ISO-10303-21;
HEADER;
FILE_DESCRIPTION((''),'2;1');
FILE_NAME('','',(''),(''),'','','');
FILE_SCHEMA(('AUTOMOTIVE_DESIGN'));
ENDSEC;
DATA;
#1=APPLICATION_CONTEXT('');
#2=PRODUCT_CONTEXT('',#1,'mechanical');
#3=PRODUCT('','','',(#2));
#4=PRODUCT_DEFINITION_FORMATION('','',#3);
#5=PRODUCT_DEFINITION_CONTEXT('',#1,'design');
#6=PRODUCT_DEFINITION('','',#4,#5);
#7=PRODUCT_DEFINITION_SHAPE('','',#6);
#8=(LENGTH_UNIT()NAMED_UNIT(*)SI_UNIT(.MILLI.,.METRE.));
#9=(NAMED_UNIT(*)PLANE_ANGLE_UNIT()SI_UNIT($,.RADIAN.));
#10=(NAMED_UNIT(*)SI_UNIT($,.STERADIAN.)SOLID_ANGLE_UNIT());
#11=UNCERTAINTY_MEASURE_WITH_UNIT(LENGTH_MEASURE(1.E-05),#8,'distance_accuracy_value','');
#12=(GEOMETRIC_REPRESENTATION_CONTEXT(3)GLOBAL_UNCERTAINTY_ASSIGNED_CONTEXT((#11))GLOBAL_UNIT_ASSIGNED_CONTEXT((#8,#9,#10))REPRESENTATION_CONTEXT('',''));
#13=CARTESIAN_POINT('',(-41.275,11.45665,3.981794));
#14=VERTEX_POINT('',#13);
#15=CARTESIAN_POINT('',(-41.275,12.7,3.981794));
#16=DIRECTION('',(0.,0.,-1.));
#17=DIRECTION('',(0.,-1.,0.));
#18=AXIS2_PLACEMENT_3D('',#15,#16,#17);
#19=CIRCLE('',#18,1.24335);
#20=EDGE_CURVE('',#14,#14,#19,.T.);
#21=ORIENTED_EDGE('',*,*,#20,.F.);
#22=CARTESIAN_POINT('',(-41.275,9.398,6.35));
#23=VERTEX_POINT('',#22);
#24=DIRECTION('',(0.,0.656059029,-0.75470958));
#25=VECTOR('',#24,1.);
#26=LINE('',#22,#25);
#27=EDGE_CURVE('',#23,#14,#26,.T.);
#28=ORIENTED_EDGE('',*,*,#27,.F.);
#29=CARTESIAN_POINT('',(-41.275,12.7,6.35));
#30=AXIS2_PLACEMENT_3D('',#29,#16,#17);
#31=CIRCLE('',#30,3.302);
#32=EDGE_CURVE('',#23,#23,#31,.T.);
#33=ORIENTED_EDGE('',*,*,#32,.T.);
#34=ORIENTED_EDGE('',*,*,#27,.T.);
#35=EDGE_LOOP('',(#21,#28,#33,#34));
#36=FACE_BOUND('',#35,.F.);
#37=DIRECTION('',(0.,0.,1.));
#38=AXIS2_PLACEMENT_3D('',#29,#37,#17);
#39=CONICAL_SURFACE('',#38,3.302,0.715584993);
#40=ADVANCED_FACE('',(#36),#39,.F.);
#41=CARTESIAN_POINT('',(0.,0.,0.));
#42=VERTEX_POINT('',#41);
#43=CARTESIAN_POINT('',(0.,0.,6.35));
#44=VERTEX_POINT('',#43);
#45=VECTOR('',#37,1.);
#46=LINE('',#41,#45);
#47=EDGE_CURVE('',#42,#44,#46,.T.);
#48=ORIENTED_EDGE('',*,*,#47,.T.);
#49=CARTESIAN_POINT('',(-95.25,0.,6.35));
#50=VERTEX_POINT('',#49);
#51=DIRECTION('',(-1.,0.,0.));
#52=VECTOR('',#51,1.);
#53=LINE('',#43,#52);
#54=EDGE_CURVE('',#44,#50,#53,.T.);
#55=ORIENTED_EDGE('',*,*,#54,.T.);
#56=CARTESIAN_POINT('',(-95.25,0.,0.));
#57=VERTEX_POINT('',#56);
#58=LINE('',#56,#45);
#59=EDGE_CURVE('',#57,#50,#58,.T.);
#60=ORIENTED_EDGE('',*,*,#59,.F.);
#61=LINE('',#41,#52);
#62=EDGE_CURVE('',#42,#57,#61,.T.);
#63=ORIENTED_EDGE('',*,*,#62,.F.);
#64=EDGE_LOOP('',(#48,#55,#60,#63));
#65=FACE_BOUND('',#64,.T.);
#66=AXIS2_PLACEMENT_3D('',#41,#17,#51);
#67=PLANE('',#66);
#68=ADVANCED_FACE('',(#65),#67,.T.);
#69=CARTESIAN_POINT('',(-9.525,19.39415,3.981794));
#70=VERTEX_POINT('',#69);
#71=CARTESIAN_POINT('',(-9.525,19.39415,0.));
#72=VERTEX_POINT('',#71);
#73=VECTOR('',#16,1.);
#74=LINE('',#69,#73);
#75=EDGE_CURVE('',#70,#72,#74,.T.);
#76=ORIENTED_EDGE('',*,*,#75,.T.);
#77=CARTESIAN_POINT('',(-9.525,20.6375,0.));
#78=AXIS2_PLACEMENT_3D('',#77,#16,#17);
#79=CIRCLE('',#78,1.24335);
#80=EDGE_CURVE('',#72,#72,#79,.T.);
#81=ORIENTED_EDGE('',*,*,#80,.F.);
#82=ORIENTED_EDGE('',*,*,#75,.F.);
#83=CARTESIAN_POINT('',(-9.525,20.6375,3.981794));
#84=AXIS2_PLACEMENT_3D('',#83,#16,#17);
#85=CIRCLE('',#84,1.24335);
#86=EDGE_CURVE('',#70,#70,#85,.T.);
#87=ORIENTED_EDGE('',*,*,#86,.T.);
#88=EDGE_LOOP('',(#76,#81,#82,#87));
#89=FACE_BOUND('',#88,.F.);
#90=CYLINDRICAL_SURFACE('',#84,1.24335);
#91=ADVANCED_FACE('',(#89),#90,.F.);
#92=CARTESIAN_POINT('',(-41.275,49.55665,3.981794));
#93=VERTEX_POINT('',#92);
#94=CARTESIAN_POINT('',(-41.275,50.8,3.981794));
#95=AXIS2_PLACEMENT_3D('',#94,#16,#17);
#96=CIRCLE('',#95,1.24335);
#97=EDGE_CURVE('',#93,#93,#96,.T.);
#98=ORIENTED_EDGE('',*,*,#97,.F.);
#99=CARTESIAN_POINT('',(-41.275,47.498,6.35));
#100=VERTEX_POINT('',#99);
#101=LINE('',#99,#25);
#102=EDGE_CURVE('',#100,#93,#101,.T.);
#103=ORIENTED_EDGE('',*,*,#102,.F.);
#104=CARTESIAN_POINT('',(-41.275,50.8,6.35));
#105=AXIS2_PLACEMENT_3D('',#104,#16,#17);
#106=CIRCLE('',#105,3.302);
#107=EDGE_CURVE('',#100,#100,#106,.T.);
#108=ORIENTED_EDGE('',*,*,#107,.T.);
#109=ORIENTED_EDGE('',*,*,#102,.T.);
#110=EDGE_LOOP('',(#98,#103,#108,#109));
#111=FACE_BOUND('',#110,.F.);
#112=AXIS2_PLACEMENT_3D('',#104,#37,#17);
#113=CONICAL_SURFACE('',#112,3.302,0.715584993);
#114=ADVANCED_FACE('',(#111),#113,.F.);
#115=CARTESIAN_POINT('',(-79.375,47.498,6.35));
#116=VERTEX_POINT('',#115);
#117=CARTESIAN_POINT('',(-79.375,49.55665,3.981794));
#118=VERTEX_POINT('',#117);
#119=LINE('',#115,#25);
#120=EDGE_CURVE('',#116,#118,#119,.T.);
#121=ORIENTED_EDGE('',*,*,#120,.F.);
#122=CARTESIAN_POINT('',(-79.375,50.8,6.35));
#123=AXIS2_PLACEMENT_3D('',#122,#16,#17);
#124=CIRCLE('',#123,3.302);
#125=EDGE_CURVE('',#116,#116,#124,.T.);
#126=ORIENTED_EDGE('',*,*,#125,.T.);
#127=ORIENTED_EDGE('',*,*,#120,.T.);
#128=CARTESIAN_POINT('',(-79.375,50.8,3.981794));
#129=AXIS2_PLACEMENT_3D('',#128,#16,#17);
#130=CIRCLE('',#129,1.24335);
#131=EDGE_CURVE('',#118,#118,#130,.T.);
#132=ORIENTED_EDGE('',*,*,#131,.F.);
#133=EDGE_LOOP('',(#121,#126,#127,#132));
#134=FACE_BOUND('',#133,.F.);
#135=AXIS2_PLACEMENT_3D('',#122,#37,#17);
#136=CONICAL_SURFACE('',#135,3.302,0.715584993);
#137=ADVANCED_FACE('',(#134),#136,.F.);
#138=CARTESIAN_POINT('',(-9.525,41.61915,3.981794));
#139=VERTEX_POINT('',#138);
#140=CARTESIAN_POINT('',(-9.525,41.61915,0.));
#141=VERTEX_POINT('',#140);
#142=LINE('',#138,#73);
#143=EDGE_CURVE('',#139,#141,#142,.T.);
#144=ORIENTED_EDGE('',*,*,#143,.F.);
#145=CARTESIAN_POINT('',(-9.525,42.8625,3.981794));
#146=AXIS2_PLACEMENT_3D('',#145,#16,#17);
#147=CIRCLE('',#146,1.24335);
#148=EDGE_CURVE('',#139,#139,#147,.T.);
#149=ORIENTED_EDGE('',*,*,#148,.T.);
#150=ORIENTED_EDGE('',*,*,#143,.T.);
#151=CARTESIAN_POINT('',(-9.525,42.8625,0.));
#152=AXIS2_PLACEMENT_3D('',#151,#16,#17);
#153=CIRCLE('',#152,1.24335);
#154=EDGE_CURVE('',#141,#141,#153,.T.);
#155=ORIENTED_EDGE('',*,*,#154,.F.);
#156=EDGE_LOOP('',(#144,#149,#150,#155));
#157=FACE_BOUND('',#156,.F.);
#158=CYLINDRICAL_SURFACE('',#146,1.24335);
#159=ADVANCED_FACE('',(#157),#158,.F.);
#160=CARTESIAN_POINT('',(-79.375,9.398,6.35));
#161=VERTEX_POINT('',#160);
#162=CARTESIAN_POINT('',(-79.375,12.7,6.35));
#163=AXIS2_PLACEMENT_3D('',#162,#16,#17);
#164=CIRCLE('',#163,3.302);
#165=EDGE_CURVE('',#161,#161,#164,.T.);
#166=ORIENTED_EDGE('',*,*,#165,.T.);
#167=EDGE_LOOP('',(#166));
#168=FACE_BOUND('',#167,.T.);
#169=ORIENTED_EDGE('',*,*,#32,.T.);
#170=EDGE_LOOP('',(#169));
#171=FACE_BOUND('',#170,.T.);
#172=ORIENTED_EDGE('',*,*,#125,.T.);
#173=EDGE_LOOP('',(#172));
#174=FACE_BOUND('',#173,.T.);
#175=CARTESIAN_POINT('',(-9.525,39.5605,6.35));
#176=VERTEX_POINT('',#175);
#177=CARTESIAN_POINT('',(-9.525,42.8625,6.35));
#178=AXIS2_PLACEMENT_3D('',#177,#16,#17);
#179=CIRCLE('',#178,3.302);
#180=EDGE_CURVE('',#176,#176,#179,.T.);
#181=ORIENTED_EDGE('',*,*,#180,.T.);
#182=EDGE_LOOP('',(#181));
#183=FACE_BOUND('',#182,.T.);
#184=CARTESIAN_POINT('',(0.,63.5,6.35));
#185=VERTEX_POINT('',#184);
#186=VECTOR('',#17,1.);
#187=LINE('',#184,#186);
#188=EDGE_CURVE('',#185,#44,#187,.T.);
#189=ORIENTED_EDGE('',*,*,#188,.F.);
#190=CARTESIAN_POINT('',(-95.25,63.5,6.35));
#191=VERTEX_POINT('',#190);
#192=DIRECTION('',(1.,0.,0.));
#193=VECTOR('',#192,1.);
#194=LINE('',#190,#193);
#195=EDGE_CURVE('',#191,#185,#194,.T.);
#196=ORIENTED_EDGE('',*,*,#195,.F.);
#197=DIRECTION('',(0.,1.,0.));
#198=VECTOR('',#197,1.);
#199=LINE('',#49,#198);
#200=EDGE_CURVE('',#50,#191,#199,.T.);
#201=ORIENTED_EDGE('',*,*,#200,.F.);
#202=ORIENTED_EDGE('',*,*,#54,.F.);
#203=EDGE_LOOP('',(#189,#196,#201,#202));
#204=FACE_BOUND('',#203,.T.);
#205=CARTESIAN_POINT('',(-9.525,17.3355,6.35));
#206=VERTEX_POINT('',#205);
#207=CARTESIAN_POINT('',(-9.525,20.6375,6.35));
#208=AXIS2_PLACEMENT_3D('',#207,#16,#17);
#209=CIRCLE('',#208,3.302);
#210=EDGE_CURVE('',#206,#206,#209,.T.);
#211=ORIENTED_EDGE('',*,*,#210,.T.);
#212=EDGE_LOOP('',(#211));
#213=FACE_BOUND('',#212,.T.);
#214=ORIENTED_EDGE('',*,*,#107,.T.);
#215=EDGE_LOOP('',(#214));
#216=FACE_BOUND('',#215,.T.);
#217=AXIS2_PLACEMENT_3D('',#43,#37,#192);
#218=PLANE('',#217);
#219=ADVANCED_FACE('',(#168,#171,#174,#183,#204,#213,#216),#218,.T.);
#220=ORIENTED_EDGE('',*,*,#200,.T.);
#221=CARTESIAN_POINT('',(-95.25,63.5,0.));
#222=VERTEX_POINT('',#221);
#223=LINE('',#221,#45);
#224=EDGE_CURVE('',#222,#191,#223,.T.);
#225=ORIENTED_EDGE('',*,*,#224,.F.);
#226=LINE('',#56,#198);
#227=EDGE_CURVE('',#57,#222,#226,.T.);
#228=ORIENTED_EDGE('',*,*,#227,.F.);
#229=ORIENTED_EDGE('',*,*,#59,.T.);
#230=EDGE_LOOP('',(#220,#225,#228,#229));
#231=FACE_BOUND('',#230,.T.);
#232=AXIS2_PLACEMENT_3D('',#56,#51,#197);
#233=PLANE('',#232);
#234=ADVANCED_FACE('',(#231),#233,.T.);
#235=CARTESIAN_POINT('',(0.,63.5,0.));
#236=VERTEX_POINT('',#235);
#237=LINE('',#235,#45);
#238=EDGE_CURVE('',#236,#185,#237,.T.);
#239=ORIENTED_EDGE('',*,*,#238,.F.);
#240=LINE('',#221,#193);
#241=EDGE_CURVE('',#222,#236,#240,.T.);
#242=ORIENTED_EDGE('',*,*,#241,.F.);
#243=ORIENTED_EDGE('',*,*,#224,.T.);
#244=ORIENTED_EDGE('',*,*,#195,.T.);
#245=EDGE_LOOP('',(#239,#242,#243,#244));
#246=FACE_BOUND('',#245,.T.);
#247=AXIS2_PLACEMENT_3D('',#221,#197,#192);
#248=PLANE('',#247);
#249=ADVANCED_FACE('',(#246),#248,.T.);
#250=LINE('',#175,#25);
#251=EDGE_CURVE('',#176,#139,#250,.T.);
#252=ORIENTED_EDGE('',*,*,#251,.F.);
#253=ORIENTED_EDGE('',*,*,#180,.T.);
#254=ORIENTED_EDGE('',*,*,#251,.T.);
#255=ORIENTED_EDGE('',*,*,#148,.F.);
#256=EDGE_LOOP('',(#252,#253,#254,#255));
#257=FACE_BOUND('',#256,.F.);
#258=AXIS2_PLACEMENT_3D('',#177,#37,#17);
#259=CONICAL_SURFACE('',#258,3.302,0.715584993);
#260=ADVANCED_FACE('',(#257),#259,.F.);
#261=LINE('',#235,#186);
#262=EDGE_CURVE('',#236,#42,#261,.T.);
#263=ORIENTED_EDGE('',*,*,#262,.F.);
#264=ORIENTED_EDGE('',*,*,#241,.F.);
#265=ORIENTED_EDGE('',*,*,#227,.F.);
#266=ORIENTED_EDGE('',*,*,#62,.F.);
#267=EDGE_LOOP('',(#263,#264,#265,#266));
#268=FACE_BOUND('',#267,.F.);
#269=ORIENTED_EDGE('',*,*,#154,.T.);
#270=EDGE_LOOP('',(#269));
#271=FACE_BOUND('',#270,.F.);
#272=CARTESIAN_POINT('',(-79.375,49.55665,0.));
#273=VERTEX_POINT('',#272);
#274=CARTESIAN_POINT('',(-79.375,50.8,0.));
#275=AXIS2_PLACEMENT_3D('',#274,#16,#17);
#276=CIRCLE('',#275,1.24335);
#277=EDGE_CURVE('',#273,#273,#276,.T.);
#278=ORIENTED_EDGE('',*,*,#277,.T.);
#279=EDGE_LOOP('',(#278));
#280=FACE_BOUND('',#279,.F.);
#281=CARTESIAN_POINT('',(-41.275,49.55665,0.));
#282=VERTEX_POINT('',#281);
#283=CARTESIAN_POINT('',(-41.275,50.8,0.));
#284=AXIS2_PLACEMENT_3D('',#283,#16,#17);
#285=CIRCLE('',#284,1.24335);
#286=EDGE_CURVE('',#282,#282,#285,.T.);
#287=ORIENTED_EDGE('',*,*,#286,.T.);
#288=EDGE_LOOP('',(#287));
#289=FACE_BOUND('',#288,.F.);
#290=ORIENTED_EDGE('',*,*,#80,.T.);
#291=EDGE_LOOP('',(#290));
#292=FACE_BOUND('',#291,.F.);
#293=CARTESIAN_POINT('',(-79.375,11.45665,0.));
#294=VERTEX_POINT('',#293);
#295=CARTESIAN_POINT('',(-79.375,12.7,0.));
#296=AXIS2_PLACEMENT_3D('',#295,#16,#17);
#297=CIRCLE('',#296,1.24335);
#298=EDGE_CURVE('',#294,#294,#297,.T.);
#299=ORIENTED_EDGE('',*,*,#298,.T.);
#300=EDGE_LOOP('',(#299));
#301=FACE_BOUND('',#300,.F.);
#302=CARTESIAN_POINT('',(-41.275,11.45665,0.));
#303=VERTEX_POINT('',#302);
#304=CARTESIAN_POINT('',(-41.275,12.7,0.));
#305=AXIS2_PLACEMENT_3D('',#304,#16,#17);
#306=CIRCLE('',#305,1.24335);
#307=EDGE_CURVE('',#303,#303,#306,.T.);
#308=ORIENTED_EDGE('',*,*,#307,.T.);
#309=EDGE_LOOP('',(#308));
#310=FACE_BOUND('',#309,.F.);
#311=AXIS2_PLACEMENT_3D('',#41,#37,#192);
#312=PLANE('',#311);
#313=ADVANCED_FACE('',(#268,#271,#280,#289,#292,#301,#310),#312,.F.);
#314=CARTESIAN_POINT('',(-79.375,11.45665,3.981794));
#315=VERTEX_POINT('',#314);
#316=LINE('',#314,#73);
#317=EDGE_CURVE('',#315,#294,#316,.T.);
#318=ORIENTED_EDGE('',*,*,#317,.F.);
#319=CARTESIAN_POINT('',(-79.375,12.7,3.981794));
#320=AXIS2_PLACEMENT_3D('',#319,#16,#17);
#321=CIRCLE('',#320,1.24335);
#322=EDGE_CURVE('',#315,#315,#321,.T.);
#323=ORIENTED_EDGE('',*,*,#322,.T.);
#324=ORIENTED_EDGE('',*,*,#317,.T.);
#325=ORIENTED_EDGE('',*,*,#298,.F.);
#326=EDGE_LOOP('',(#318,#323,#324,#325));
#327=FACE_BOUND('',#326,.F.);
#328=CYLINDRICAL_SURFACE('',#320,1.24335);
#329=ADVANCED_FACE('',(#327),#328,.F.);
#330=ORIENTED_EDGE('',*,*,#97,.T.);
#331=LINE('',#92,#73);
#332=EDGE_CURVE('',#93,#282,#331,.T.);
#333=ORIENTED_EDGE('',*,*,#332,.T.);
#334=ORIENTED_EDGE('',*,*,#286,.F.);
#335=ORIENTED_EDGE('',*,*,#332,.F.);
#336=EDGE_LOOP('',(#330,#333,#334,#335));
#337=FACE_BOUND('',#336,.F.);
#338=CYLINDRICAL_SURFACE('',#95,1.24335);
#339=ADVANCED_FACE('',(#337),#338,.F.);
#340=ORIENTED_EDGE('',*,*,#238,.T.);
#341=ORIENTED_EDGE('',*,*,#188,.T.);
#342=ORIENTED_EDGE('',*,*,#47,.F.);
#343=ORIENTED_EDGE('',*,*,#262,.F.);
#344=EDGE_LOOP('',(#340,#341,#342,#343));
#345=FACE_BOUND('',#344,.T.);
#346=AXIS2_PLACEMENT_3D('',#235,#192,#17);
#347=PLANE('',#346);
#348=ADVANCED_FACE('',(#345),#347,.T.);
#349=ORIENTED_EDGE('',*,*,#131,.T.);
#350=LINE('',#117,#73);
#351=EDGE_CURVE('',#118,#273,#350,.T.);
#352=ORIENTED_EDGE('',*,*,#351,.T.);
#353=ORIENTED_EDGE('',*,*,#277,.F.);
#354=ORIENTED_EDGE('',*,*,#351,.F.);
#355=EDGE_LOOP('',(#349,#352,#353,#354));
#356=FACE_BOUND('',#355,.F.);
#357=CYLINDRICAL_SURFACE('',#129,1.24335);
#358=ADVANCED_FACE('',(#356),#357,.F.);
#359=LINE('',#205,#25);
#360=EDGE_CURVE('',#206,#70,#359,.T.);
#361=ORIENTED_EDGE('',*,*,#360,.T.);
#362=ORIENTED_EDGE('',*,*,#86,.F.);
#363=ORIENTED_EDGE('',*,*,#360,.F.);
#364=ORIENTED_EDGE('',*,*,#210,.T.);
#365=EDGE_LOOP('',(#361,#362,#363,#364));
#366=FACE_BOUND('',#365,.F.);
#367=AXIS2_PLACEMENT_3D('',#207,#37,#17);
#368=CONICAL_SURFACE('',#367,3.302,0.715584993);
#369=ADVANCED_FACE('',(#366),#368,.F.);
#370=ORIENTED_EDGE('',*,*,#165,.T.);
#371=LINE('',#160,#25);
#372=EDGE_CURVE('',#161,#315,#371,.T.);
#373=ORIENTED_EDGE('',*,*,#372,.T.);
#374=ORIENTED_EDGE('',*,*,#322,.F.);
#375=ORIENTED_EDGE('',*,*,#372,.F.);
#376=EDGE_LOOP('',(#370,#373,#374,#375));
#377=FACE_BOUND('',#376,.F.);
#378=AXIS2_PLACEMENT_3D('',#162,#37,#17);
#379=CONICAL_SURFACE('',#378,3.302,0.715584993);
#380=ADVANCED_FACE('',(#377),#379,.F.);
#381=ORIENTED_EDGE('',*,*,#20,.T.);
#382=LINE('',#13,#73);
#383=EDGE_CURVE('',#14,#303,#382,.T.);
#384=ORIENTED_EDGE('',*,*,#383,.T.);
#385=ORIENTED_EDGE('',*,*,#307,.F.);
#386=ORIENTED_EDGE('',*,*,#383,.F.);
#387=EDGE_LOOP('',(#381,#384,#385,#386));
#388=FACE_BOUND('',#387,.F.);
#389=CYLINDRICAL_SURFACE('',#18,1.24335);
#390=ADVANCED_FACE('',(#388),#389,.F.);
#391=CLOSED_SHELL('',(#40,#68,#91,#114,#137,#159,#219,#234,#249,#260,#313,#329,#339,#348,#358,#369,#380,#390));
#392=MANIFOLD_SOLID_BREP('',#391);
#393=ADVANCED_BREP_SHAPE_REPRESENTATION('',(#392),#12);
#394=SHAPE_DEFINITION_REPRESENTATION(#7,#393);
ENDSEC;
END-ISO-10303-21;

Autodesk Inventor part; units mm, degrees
ref_plane "YZ Plane" through (0, 0, 0) normal (1, 0, 0) x (0, 1, 0)
ref_plane "XZ Plane" through (0, 0, 0) normal (0, 1, 0) x (-1, 0, 0)
ref_plane "XY Plane" through (0, 0, 0) normal (0, 0, 1) x (1, 0, 0)
sketch "Boceto1" plane through (0, 0, 0) normal (0, 0, 1) x (1, 0, 0)
  line L0 (0, 0) -> (-95.25, 0)
  line L1 (-95.25, 0) -> (-95.25, 63.5)
  line L2 (-95.25, 63.5) -> (0, 63.5)
  line L3 (0, 63.5) -> (0, 0)
  dimension "d0" = 95.25
  dimension "d1" = 63.5
extrude "Extrusión1" add sketch "Boceto1" along normal blind 6.35
sketch "Boceto2" plane through (0, 0, 6.35) normal (0, 0, 1) x (1, 0, 0)
  line L0 (0, 0) -> (0, 63.5) projected
  line L1 (-111.4017, 31.75) -> (56.4178, 31.75) construction
  line L2 (-95.25, 0) -> (0, 0) projected
  line L3 (0, 63.5) -> (-95.25, 63.5) projected
  point P0 (-79.375, 50.8)
  point P1 (-41.275, 50.8)
  point P2 (-9.525, 42.8625)
  point P3 (-9.525, 20.6375)
  point P4 (-41.275, 12.7)
  point P5 (-79.375, 12.7)
  dimension "d4" = 9.525
  dimension "d5" = 31.75
  dimension "d6" = 38.1
  dimension "d7" = 9.525
  dimension "d8" = 31.75
  dimension "d9" = 38.1
  dimension "d10" = 63.5
  dimension "d11" = 31.75
  dimension "d12" = 22.225
  dimension "d13" = 11.1125
  dimension "d14" = 38.1
  dimension "d15" = 38.1
  dimension "d16" = 19.05
  dimension "d17" = 19.05
hole "Agujero1" at (-79.375, 50.8, 6.35) at (-41.275, 50.8, 6.35) at (-9.525, 42.8625, 6.35) at (-9.525, 20.6375, 6.35) at (-41.275, 12.7, 6.35) at (-79.375, 12.7, 6.35) direction (0, 0, -1) diameter 2.4867 end through all countersink diameter 6.604 countersink angle 82 thread size "5-40 UNC" class "2B" standard "ANSI Unified Screw Threads"
equation "\"d7\" = d4"
equation "\"d8\" = d5"
equation "\"d9\" = d6"
equation "\"d11\" = 0.5 * d10"
equation "\"d13\" = 0.5 * d12"
equation "\"d15\" = d14"
equation "\"d16\" = 0.5 * d14"
equation "\"d17\" = 0.5 * d15"
properties part number "Floor" material "Aluminio 6061"
